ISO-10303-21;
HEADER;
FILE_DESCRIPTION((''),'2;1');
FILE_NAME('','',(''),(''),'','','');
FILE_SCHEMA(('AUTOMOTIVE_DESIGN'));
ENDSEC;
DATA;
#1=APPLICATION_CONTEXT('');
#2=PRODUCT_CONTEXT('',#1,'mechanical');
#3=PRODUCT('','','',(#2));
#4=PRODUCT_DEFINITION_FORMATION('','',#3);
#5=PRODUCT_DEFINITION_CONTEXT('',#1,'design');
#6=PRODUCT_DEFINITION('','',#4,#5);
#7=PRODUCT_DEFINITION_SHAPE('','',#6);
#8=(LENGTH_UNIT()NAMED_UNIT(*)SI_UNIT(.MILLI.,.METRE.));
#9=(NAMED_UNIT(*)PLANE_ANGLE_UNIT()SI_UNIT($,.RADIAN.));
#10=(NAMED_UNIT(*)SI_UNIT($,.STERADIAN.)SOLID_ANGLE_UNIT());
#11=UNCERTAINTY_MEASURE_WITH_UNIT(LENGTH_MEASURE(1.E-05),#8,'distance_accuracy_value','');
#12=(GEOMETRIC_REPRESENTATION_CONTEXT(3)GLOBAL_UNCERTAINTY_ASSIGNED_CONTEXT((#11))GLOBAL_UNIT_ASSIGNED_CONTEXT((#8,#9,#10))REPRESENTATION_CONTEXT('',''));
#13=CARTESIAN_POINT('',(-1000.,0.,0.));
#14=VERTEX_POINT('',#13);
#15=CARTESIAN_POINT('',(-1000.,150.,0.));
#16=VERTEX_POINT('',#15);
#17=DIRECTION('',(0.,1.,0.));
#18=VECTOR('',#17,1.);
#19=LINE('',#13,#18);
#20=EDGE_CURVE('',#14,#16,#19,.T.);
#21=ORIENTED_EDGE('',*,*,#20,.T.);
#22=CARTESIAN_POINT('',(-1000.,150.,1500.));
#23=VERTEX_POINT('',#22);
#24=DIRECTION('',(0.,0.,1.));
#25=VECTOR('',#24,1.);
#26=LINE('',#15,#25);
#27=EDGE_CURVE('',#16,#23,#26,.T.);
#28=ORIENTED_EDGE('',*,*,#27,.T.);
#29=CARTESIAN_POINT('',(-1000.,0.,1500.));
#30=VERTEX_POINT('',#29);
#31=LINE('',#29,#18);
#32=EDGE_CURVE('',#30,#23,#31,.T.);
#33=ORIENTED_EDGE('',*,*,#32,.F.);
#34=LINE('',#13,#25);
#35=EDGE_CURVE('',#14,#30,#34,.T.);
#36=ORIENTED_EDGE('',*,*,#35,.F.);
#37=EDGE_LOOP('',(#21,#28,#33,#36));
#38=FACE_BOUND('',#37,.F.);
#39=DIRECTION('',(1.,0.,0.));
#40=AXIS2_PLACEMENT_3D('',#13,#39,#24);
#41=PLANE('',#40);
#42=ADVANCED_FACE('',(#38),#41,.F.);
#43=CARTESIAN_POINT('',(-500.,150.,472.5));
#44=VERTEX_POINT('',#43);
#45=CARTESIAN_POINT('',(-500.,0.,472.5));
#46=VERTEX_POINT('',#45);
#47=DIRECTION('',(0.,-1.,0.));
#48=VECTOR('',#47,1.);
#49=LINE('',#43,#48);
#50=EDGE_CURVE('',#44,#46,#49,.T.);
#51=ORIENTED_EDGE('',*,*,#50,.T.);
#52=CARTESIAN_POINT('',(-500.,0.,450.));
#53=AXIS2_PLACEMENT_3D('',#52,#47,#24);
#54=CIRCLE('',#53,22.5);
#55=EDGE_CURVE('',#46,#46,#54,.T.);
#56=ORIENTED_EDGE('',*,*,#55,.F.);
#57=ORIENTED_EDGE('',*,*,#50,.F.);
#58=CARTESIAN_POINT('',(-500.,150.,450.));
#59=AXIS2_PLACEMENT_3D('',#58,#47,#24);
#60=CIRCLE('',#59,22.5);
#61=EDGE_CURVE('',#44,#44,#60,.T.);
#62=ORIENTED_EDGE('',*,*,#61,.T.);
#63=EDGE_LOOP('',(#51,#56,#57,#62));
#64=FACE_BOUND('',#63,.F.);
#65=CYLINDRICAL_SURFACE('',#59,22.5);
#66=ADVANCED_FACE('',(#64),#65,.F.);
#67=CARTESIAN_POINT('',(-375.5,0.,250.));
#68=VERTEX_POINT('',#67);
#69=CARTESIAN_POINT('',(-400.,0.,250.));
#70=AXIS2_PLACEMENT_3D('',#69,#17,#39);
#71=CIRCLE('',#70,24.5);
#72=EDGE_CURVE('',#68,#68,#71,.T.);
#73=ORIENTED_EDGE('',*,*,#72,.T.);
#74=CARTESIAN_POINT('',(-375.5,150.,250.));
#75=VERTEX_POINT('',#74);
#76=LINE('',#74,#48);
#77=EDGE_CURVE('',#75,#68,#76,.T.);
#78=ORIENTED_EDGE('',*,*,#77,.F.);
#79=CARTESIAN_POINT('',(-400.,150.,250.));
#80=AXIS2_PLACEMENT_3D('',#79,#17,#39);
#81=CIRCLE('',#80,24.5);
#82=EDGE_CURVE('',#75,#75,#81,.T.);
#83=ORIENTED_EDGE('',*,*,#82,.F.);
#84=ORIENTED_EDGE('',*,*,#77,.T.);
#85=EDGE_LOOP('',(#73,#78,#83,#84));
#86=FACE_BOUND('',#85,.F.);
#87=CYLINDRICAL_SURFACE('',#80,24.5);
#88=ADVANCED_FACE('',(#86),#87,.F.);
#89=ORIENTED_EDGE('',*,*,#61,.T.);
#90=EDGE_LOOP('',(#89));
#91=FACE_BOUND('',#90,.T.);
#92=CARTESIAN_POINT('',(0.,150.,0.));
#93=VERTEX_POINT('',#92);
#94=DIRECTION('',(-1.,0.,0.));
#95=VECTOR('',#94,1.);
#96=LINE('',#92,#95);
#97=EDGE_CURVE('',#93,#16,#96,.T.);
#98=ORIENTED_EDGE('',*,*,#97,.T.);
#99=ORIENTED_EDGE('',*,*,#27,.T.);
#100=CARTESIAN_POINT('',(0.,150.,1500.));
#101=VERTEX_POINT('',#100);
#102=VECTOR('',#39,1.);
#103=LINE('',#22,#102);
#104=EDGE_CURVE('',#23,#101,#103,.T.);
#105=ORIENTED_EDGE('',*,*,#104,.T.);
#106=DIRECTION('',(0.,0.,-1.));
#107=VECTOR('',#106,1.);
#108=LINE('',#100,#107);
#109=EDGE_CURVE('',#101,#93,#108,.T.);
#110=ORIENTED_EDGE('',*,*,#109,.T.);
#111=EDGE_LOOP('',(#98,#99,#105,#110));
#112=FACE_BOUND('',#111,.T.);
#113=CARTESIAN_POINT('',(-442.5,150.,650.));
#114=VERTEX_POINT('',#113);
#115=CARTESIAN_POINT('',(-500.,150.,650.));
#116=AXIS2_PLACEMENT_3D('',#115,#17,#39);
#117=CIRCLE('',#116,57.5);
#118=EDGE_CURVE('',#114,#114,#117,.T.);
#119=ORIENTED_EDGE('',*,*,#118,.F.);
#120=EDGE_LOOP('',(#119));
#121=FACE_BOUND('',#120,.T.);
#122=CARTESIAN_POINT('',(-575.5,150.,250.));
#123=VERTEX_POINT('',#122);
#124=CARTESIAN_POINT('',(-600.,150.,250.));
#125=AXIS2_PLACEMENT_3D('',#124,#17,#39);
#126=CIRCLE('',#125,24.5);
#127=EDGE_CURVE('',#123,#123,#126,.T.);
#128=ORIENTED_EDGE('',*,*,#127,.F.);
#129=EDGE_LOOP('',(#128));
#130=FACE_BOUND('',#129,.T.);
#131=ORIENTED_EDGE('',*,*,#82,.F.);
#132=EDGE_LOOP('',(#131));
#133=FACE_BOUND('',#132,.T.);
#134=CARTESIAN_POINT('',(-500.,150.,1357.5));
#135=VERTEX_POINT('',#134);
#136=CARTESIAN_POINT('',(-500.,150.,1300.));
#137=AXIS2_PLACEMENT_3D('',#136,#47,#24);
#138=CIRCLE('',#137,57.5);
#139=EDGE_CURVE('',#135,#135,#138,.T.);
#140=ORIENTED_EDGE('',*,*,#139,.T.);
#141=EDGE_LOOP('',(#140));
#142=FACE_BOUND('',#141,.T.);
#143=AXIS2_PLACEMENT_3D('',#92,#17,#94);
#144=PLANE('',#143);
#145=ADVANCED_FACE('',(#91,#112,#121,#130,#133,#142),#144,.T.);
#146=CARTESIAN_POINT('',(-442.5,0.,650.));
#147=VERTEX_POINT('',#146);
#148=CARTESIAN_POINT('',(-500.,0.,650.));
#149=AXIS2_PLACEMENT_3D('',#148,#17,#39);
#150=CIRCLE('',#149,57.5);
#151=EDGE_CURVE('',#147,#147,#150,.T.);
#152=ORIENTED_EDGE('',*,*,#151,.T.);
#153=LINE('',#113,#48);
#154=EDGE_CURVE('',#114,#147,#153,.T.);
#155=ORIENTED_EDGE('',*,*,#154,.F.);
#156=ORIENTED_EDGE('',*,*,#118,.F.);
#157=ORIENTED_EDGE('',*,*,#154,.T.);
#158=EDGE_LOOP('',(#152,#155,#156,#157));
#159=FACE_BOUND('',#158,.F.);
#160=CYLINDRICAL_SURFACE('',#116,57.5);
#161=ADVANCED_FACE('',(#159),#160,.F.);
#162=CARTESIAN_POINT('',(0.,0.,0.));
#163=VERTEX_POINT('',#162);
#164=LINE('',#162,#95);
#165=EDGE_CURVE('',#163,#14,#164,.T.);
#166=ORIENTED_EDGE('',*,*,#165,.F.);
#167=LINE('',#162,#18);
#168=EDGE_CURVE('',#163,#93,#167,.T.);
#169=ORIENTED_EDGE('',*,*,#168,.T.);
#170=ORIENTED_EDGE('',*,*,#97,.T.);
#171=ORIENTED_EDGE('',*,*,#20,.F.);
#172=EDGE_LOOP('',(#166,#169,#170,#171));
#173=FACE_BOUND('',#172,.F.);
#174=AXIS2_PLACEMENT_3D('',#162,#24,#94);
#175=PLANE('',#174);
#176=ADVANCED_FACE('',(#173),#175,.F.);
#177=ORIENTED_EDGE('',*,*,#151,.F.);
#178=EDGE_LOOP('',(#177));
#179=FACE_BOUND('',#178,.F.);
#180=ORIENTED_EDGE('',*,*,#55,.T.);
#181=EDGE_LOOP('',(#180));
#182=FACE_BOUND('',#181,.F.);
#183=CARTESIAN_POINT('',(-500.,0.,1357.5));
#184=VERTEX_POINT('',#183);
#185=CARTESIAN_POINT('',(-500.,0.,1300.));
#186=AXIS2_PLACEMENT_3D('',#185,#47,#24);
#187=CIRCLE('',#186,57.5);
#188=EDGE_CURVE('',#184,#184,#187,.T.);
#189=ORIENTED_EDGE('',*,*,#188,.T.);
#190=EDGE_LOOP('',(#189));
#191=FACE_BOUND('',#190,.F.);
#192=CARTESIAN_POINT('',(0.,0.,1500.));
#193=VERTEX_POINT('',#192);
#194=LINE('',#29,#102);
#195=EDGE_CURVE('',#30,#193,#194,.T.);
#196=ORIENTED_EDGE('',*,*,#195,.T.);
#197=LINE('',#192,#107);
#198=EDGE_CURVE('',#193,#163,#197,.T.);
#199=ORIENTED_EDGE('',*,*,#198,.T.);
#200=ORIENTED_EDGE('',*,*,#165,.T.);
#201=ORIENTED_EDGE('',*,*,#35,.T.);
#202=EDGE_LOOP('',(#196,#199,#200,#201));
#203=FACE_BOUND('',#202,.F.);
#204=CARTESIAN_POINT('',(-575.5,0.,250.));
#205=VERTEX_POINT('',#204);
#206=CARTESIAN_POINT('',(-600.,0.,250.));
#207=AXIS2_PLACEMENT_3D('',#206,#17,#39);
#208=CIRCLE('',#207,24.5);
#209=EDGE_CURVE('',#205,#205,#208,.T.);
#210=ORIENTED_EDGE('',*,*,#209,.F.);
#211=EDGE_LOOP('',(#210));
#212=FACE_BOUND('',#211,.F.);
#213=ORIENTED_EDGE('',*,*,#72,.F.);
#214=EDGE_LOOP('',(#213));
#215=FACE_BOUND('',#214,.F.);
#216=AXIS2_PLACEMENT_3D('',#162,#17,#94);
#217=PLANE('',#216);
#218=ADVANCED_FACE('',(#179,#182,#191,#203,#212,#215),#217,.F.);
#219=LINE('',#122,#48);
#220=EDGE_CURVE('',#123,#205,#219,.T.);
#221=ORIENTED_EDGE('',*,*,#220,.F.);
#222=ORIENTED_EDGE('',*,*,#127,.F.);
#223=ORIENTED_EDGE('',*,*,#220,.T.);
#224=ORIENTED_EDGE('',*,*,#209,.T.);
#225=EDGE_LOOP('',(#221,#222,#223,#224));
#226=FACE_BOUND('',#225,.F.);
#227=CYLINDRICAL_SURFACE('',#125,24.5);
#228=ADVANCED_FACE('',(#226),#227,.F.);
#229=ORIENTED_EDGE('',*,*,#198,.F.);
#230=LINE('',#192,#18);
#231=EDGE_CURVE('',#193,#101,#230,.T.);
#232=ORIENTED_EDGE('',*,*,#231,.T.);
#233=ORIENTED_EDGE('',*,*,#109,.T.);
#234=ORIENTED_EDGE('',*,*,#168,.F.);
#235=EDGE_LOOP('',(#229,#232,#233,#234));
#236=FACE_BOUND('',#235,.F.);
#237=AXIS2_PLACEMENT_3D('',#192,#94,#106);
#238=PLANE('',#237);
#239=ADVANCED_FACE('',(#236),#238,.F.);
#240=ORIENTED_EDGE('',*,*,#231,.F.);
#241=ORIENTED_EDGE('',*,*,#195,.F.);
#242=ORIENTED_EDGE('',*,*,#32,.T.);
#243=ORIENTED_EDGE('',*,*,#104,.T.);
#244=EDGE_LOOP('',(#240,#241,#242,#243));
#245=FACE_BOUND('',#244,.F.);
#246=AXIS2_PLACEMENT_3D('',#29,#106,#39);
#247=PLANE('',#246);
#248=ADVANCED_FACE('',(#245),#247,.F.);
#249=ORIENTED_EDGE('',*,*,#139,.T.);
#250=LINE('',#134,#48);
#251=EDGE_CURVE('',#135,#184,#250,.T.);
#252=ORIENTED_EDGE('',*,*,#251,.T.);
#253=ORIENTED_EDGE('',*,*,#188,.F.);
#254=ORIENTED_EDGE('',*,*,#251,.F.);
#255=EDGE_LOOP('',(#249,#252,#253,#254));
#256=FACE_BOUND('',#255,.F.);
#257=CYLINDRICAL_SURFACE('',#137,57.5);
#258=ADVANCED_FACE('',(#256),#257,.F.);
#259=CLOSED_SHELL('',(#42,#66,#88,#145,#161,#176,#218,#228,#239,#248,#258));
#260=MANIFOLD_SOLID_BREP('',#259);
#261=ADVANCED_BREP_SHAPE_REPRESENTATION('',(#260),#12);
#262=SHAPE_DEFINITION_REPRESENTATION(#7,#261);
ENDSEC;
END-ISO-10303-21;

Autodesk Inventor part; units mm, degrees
ref_plane "YZ Plane" through (0, 0, 0) normal (1, 0, 0) x (0, 1, 0)
ref_plane "XZ Plane" through (0, 0, 0) normal (0, 1, 0) x (-1, 0, 0)
ref_plane "XY Plane" through (0, 0, 0) normal (0, 0, 1) x (1, 0, 0)
sketch "Sketch1" plane through (0, 0, 0) normal (0, 1, 0) x (-1, 0, 0)
  line L0 (0, 0) -> (1000, 0)
  line L1 (1000, 0) -> (1000, 1500)
  line L2 (1000, 1500) -> (0, 1500)
  line L3 (0, 1500) -> (0, 0)
  dimension "d0" = 1000
  dimension "d1" = 1500
extrude "base" add sketch "Sketch1" along normal blind 150
sketch "Sketch2" plane through (0, 150, 0) normal (0, 1, 0) x (1, 0, 0)
  circle A0 centre (-500, -650) radius 57.5
  line L0 (0, 0) -> (-1000, 0) projected
  line L1 (-1000, -1500) -> (0, -1500) projected
  line L2 (-500, 0) -> (-500, -1500) construction
  dimension "d4" = 115
  dimension "d38" = 650
extrude "air" cut sketch "Sketch2" against normal through all
sketch "Sketch3" plane through (0, 150, 0) normal (0, 1, 0) x (1, 0, 0)
  circle A0 centre (-500, -650) radius 57.5 projected
  circle A1 centre (-400, -250) radius 24.5
  circle A2 centre (-600, -250) radius 24.5
  line L0 (0, 0) -> (-1000, 0) projected
  dimension "d7" = 49
  dimension "d40" = 100
  dimension "d41" = 49
  dimension "d42" = 100
  dimension "d55" = 250
extrude "power" cut sketch "Sketch3" against normal blind 254 contours A1 | A2
sketch "Sketch4" plane through (0, 150, 0) normal (0, 1, 0) x (1, 0, 0)
  circle A0 centre (-600, -250) radius 24.5 projected
  circle A1 centre (-500, -450) radius 24.5
  line L0 (0, 0) -> (-1000, 0) projected
  dimension "d52" = 49
  dimension "d53" = 450
hole "fibre" at (-500, 150, 450) direction (0, -1, 0) diameter 45 end through all
sketch "Sketch6" plane through (0, 150, 0) normal (0, 1, 0) x (1, 0, 0)
  circle A0 centre (-500, -650) radius 57.5 projected
  circle A1 centre (-500, -1300) radius 76.2
  dimension "d29" = 152.4
  dimension "d30" = 650
hole "air2" at (-500, 150, 1300) direction (0, -1, 0) diameter 115 end through all
properties part number "plinth" material "Concrete"
